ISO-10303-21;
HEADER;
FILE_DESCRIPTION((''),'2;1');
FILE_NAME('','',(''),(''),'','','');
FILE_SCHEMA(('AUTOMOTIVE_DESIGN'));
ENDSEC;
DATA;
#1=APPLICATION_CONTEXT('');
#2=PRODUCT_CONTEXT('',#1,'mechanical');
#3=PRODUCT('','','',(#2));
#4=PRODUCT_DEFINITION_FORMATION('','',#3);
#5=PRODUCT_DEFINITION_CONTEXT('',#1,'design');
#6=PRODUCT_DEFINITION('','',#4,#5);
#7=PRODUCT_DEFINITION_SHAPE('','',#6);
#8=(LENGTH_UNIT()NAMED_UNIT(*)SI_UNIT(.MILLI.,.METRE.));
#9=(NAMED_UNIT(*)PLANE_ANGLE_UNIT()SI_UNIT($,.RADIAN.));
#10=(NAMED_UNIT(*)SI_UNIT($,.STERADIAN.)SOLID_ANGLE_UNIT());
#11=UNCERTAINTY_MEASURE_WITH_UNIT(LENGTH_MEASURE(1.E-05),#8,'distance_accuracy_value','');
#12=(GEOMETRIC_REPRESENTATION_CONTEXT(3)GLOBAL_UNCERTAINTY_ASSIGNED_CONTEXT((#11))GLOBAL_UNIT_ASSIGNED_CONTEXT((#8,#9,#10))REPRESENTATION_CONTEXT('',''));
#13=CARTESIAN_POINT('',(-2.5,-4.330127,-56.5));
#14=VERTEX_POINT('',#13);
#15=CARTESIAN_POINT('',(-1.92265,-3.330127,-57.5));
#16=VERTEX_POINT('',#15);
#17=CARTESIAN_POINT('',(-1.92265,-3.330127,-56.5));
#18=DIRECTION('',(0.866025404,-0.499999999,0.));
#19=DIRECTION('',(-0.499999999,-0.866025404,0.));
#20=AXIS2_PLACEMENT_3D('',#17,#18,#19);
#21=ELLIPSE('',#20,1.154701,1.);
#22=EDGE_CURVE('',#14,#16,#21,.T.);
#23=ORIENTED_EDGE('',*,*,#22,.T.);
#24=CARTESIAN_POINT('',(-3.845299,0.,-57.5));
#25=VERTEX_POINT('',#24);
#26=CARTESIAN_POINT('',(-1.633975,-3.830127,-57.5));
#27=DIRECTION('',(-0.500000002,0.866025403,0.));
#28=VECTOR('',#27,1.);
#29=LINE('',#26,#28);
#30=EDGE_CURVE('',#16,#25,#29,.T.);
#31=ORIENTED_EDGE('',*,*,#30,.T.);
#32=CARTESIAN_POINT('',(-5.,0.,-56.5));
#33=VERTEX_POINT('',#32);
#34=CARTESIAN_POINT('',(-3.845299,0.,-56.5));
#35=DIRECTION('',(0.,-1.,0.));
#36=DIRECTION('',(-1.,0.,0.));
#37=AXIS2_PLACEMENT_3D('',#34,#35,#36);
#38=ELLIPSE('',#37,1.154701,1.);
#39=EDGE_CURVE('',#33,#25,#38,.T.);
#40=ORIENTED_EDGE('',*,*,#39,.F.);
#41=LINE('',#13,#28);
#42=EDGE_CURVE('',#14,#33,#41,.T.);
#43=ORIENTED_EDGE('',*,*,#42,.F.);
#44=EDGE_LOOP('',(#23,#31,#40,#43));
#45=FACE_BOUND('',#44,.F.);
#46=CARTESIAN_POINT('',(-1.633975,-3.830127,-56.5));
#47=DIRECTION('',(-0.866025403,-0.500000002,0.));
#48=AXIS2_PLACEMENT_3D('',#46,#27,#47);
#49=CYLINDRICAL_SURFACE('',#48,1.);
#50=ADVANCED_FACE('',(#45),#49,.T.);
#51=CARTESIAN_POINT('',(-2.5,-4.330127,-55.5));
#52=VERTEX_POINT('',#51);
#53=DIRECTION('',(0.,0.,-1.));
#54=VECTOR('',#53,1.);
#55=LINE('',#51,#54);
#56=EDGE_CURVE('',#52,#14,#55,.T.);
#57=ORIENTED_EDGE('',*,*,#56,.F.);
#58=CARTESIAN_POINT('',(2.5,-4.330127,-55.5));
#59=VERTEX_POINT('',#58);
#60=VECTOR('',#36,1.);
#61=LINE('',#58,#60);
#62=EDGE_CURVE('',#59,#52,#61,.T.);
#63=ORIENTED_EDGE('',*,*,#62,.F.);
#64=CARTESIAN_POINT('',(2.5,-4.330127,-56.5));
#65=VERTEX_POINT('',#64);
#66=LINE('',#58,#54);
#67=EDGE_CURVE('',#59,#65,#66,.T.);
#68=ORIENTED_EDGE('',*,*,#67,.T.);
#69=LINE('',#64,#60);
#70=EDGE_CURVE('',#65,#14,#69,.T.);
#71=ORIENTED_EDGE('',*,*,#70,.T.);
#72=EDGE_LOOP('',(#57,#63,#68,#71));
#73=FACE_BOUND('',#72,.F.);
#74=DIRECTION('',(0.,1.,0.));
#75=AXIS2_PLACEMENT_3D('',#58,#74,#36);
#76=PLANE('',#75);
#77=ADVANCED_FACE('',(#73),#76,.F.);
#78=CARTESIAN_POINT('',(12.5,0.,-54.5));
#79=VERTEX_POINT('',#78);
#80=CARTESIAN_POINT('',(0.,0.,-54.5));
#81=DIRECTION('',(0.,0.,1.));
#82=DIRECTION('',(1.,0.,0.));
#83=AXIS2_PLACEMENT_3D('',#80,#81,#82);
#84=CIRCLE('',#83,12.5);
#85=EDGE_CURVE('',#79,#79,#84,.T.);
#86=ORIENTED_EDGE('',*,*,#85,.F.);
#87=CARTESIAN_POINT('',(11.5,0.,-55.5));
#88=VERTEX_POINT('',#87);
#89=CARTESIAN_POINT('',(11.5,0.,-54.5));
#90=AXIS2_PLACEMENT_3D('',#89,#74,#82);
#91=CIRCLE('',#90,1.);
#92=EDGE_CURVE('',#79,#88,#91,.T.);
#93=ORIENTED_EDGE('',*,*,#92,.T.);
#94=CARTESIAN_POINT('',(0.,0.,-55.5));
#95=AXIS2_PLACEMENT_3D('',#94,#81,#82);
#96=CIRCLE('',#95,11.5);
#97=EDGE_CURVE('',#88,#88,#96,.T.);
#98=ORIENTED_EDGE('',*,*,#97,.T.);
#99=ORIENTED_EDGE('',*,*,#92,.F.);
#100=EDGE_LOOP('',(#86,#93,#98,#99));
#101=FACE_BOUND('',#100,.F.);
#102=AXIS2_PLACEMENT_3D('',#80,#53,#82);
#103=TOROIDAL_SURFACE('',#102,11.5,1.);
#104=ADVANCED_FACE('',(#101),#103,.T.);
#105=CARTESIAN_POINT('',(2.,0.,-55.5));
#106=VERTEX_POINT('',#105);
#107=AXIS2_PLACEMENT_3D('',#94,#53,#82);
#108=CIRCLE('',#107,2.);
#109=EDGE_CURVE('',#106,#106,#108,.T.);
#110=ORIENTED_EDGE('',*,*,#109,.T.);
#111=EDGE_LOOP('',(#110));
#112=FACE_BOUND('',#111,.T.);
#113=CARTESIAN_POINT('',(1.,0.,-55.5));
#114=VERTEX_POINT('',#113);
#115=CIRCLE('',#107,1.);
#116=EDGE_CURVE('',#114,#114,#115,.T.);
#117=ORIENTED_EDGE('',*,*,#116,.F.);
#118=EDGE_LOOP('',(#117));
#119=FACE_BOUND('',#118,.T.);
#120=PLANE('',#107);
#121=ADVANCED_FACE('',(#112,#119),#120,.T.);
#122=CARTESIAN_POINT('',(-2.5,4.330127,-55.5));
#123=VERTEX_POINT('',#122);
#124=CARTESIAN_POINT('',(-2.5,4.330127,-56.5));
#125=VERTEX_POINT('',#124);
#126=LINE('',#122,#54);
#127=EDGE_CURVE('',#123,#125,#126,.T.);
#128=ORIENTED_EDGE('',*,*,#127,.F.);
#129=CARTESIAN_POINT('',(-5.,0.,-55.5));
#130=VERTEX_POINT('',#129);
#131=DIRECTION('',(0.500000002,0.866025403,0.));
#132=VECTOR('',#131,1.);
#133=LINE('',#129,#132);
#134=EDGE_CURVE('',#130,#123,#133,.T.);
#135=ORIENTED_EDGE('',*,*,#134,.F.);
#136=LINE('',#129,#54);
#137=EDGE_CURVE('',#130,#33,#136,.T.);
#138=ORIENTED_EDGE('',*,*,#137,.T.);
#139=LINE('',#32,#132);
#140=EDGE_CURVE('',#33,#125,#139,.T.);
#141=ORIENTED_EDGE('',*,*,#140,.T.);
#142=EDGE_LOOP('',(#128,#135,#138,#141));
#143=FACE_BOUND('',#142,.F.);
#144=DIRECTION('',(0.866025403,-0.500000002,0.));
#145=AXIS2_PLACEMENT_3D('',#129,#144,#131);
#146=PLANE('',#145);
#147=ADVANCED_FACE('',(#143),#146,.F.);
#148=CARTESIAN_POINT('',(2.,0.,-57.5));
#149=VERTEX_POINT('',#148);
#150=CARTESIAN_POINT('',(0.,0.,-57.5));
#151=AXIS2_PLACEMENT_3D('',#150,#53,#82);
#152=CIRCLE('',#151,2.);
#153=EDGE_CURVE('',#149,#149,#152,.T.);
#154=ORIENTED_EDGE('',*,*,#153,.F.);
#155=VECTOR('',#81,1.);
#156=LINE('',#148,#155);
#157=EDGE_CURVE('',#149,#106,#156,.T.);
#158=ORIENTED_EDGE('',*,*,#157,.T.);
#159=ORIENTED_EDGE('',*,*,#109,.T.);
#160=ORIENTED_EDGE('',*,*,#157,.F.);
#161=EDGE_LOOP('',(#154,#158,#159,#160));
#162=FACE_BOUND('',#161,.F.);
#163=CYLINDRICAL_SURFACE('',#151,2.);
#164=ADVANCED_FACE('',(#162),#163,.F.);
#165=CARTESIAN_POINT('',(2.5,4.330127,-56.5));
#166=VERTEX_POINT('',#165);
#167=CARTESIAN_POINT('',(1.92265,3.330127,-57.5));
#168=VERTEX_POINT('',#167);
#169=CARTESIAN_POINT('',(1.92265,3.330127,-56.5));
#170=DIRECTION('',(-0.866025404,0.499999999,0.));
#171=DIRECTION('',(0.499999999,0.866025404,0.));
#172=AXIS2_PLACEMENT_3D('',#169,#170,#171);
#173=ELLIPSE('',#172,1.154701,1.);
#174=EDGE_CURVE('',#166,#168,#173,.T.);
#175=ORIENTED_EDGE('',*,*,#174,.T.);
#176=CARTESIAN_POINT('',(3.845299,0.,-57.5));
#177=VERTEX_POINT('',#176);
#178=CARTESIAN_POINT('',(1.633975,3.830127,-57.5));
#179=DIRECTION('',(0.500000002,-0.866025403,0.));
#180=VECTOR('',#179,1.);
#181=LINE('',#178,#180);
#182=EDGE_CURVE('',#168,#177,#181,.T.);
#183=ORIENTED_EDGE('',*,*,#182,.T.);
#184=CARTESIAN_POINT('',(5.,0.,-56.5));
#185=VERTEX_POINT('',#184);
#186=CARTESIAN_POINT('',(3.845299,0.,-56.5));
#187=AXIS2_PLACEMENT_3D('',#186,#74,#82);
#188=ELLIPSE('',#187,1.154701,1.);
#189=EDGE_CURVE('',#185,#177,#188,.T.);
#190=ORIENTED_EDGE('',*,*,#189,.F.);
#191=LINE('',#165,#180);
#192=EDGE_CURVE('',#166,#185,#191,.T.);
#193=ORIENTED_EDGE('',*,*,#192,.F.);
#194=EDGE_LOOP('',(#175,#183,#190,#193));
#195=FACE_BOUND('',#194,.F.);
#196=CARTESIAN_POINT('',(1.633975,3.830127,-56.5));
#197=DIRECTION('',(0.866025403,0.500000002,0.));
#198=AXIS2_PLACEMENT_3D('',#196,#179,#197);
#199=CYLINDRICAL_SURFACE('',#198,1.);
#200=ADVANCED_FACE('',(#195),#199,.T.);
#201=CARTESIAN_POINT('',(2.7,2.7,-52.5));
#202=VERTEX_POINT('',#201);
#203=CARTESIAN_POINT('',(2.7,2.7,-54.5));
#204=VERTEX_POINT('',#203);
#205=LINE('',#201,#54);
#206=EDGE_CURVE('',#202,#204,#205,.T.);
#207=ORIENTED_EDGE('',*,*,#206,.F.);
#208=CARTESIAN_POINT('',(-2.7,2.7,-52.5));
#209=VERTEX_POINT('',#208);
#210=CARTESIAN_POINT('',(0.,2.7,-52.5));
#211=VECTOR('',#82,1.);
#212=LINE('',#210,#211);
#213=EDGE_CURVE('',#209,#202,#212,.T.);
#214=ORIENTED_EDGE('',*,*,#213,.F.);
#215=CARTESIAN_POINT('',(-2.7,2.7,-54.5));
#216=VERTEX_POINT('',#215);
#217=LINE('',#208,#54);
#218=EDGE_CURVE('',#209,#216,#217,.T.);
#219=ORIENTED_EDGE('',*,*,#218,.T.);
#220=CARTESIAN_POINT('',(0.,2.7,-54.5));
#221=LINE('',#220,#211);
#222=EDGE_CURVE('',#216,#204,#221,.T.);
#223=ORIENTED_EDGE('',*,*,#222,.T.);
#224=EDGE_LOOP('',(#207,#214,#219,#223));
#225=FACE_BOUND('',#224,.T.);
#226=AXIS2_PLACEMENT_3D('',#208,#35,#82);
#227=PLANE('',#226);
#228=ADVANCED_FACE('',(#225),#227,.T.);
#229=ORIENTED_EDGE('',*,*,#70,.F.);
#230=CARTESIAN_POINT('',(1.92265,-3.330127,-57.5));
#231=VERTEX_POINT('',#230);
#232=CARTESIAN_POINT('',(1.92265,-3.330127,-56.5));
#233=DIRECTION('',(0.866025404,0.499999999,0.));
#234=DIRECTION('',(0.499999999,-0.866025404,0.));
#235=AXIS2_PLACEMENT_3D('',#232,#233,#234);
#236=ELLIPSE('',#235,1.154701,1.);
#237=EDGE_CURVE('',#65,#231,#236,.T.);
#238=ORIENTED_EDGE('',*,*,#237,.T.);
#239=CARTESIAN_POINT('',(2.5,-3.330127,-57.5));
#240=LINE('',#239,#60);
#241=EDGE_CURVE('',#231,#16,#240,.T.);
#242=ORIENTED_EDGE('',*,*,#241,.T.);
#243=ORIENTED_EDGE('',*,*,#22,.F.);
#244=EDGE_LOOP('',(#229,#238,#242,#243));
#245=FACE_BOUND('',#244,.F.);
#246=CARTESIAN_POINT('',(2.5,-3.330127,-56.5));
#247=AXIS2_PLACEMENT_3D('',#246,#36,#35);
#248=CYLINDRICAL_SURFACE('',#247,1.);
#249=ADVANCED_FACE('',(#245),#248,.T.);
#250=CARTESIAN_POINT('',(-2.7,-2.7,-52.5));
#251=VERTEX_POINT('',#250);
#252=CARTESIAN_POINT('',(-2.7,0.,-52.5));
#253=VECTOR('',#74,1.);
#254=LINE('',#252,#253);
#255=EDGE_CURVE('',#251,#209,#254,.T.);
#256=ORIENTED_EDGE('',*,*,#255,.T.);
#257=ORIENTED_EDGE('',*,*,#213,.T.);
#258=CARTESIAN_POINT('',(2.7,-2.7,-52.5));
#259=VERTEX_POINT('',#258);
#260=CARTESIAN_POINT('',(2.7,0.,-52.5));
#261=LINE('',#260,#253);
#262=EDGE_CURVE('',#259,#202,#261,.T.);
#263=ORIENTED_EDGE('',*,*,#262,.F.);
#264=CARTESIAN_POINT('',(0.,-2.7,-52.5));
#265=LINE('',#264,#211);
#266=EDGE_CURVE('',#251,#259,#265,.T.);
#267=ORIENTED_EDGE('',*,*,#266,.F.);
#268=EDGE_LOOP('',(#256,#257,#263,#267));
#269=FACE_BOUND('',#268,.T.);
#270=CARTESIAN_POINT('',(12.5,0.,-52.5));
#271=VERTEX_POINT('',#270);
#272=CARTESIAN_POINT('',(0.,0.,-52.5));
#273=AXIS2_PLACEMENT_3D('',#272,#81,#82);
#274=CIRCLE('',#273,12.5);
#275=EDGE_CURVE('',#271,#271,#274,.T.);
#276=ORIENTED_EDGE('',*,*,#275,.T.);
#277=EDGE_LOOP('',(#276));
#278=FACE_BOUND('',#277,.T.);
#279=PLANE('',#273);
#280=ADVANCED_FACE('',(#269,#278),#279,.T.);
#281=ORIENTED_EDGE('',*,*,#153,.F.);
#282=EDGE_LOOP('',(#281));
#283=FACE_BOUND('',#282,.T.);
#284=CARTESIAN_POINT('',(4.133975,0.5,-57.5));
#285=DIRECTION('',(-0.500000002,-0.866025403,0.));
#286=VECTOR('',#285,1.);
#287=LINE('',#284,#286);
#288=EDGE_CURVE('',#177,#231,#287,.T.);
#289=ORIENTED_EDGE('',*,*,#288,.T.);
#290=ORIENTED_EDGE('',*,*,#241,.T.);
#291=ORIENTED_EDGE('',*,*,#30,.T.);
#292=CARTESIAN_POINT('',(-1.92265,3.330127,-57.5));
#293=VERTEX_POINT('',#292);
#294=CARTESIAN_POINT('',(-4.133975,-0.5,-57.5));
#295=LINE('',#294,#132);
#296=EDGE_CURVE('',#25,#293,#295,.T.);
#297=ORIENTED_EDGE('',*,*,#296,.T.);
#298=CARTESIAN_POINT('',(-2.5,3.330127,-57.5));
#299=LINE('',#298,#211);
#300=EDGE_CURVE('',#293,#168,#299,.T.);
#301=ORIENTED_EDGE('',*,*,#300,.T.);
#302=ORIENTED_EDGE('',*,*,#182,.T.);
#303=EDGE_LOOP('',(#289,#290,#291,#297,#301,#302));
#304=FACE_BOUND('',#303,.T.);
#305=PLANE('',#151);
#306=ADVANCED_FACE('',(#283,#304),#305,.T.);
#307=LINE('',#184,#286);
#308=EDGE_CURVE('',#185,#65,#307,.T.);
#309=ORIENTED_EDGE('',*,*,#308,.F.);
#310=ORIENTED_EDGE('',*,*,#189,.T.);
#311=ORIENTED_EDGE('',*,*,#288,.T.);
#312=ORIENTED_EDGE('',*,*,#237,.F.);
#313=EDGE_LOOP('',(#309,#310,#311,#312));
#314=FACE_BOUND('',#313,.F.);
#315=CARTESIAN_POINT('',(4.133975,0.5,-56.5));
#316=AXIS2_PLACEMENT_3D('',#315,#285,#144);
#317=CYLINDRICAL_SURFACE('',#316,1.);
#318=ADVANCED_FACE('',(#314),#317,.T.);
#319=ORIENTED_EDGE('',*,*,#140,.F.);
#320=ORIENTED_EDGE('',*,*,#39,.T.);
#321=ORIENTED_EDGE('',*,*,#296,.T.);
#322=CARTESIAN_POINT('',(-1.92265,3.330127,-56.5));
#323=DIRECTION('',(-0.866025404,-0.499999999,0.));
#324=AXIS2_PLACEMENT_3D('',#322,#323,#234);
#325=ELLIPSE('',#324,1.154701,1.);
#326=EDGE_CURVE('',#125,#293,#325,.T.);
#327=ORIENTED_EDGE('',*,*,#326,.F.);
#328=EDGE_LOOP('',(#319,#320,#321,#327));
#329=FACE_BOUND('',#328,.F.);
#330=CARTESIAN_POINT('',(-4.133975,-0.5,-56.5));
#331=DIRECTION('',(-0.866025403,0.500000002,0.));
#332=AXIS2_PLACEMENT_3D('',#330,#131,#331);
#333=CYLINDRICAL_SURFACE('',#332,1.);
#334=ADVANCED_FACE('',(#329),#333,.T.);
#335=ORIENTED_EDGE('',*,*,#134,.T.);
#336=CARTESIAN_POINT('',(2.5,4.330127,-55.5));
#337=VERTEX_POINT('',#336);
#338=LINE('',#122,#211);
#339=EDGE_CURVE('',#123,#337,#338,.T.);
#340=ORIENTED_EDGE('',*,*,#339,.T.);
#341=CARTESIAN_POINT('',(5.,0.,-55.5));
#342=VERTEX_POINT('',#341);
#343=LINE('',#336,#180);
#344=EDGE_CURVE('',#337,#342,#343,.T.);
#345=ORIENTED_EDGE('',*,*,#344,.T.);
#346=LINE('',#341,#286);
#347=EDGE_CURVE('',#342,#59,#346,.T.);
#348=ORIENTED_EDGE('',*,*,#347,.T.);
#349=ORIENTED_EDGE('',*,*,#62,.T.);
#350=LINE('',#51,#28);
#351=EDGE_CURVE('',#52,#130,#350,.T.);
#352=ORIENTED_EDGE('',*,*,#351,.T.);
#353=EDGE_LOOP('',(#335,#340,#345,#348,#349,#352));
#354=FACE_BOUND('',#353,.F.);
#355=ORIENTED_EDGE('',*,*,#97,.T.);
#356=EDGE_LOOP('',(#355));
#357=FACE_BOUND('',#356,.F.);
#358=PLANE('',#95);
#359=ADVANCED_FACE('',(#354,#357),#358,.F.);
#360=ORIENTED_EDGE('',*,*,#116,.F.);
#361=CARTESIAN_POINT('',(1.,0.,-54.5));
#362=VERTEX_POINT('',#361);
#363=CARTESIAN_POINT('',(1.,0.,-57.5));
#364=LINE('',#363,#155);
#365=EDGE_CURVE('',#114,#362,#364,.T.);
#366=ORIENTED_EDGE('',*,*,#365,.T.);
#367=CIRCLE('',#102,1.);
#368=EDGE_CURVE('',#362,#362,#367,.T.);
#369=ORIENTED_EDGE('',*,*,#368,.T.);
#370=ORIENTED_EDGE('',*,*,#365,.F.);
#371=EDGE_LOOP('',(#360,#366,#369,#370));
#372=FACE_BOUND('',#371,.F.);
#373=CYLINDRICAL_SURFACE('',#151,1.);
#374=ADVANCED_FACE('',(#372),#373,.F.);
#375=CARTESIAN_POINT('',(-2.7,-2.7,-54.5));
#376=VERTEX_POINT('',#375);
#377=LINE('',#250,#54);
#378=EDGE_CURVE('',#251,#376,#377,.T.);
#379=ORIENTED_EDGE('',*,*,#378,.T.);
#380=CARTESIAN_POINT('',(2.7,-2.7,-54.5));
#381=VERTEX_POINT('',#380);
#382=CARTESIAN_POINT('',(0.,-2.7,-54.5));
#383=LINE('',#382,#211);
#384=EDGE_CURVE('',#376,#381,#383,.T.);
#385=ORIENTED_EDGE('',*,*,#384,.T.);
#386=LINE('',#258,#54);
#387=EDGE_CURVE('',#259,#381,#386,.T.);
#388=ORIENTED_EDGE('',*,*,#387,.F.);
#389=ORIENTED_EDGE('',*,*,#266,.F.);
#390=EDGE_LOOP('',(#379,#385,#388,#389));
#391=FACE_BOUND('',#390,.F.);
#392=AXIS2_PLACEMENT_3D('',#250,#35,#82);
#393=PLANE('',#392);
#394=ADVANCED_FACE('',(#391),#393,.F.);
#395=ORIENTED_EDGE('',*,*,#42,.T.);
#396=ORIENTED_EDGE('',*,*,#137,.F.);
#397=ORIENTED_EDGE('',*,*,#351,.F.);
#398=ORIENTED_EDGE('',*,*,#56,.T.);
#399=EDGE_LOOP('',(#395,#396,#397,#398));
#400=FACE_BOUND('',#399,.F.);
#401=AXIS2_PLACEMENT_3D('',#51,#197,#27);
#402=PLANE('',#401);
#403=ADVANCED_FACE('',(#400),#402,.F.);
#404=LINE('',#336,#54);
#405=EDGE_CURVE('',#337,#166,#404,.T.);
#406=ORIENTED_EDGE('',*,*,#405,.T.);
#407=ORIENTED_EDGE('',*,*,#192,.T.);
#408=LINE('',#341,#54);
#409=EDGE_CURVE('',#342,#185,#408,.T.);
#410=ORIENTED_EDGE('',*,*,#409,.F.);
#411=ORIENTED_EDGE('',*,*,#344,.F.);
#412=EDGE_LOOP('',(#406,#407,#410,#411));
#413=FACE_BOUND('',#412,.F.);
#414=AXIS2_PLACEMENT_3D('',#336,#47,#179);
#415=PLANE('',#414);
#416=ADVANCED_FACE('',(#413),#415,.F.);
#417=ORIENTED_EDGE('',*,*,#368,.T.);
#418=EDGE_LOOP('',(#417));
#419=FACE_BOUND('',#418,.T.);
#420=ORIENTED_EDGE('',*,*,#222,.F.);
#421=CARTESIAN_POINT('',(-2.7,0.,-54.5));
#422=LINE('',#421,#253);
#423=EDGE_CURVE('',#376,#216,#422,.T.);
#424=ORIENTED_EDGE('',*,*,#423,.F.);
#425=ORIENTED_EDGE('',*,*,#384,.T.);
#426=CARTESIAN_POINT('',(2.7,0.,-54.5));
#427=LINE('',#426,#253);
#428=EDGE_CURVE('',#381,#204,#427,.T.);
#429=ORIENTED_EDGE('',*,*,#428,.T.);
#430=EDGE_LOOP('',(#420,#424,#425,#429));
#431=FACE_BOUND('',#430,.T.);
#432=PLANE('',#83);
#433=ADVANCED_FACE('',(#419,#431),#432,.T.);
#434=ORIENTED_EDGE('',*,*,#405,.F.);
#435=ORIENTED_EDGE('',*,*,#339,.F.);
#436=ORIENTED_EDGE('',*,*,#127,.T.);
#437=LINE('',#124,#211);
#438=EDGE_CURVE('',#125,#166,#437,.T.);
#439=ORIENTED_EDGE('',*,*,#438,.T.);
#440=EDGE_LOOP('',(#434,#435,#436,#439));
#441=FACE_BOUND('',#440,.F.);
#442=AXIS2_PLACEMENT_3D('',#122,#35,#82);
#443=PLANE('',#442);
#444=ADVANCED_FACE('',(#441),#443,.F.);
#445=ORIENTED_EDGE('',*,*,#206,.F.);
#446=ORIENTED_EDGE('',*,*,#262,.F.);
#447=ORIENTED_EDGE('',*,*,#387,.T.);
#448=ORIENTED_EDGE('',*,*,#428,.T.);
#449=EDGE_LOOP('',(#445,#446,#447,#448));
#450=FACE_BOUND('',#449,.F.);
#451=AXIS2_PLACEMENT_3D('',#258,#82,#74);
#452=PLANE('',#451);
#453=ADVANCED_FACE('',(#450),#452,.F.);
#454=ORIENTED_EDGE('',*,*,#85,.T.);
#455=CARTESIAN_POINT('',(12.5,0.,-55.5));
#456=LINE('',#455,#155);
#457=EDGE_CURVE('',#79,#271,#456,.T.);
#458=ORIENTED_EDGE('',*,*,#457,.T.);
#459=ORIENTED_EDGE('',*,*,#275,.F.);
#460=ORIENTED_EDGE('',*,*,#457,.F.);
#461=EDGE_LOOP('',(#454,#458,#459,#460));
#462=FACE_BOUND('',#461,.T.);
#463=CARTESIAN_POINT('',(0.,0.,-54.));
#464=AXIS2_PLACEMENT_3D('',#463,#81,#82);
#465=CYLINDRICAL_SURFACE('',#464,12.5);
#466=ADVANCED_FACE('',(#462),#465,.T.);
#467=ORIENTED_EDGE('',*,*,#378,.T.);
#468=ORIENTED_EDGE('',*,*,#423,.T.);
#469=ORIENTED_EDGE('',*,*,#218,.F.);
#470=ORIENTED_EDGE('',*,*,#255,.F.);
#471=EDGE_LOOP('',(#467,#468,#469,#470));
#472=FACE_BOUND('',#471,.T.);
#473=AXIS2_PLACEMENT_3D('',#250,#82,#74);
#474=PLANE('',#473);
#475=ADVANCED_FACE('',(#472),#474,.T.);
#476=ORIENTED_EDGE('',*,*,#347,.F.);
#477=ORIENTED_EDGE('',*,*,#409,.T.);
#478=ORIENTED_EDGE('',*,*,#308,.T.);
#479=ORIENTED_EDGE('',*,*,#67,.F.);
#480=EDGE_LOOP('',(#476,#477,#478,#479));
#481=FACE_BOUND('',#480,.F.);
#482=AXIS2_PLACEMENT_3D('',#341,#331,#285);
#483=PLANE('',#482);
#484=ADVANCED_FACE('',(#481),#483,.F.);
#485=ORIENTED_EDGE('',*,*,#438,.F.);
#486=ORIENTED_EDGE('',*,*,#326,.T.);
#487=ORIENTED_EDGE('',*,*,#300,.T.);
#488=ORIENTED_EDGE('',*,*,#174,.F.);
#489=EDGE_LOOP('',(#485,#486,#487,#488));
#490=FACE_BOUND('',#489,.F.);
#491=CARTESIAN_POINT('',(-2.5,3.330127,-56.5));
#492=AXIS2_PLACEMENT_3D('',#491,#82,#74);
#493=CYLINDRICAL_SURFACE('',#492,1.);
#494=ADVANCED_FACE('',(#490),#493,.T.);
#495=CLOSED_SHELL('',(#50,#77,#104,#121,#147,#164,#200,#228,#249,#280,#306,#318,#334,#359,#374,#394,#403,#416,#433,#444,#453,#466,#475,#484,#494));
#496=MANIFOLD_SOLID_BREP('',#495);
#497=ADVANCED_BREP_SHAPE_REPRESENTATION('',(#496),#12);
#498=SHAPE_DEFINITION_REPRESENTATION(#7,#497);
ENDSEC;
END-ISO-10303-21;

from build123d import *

# Parameters (mm, degrees)
SKETCH010_R     = 12.5
PAD003_DEPTH    = 1.5
SKETCH011_W     = 5.4
SKETCH011_H     = 5.4
POCKET005_DEPTH = 2
PAD004_DEPTH    = 2
SKETCH015_R     = 1
POCKET006_DEPTH = 5.001
SKETCH016_R     = 2
POCKET007_DEPTH = 2
FILLET001_R     = 1


with BuildPart() as part:
    # Sketch010 → Pad003 (new body, symmetric)
    with BuildSketch(Plane.XY.offset(-54)):
        Circle(SKETCH010_R)
    extrude(amount=PAD003_DEPTH, both=True)

    # Sketch011 (on Face3 of Pad003) → Pocket005 (cut)
    with BuildSketch(Plane.XY.offset(-52.5)):
        Rectangle(SKETCH011_W, SKETCH011_H)
    extrude(amount=-POCKET005_DEPTH, mode=Mode.SUBTRACT)

    # Sketch014 → Pad004 (join)
    with BuildSketch(Plane(origin=(0, 0, -55.5), x_dir=(1, 0, 0), z_dir=(0, 0, -1))):
        Polygon((5, 0), (2.5, 4.330127), (-2.5, 4.330127), (-5, 0), (-2.5, -4.330127), (2.5, -4.330127), align=None)
    extrude(amount=PAD004_DEPTH)

    # Sketch015 (on Face14 of Pad004) → Pocket006 (cut, through all)
    with BuildSketch(Plane(origin=(0, 0, -57.5), x_dir=(1, 0, 0), z_dir=(0, 0, -1))):
        Circle(SKETCH015_R)
    extrude(amount=-POCKET006_DEPTH, mode=Mode.SUBTRACT)

    # Sketch016 (on Face14 of Pocket006) → Pocket007 (cut)
    with BuildSketch(Plane(origin=(0, 0, -57.5), x_dir=(1, 0, 0), z_dir=(0, 0, -1))):
        Circle(SKETCH016_R)
    extrude(amount=-POCKET007_DEPTH, mode=Mode.SUBTRACT)

    # Fillet001
    fillet001_edges = [part.edges().sort_by_distance(p)[0] for p in [
        (-12.5, 0, -55.5),
        (0, 4.330127, -57.5),
        (3.75, 2.165064, -57.5),
        (3.75, -2.165064, -57.5),
        (0, -4.330127, -57.5),
        (-3.75, -2.165064, -57.5),
        (-3.75, 2.165064, -57.5),
    ]]
    fillet(fillet001_edges, radius=FILLET001_R)


solid = part.part
